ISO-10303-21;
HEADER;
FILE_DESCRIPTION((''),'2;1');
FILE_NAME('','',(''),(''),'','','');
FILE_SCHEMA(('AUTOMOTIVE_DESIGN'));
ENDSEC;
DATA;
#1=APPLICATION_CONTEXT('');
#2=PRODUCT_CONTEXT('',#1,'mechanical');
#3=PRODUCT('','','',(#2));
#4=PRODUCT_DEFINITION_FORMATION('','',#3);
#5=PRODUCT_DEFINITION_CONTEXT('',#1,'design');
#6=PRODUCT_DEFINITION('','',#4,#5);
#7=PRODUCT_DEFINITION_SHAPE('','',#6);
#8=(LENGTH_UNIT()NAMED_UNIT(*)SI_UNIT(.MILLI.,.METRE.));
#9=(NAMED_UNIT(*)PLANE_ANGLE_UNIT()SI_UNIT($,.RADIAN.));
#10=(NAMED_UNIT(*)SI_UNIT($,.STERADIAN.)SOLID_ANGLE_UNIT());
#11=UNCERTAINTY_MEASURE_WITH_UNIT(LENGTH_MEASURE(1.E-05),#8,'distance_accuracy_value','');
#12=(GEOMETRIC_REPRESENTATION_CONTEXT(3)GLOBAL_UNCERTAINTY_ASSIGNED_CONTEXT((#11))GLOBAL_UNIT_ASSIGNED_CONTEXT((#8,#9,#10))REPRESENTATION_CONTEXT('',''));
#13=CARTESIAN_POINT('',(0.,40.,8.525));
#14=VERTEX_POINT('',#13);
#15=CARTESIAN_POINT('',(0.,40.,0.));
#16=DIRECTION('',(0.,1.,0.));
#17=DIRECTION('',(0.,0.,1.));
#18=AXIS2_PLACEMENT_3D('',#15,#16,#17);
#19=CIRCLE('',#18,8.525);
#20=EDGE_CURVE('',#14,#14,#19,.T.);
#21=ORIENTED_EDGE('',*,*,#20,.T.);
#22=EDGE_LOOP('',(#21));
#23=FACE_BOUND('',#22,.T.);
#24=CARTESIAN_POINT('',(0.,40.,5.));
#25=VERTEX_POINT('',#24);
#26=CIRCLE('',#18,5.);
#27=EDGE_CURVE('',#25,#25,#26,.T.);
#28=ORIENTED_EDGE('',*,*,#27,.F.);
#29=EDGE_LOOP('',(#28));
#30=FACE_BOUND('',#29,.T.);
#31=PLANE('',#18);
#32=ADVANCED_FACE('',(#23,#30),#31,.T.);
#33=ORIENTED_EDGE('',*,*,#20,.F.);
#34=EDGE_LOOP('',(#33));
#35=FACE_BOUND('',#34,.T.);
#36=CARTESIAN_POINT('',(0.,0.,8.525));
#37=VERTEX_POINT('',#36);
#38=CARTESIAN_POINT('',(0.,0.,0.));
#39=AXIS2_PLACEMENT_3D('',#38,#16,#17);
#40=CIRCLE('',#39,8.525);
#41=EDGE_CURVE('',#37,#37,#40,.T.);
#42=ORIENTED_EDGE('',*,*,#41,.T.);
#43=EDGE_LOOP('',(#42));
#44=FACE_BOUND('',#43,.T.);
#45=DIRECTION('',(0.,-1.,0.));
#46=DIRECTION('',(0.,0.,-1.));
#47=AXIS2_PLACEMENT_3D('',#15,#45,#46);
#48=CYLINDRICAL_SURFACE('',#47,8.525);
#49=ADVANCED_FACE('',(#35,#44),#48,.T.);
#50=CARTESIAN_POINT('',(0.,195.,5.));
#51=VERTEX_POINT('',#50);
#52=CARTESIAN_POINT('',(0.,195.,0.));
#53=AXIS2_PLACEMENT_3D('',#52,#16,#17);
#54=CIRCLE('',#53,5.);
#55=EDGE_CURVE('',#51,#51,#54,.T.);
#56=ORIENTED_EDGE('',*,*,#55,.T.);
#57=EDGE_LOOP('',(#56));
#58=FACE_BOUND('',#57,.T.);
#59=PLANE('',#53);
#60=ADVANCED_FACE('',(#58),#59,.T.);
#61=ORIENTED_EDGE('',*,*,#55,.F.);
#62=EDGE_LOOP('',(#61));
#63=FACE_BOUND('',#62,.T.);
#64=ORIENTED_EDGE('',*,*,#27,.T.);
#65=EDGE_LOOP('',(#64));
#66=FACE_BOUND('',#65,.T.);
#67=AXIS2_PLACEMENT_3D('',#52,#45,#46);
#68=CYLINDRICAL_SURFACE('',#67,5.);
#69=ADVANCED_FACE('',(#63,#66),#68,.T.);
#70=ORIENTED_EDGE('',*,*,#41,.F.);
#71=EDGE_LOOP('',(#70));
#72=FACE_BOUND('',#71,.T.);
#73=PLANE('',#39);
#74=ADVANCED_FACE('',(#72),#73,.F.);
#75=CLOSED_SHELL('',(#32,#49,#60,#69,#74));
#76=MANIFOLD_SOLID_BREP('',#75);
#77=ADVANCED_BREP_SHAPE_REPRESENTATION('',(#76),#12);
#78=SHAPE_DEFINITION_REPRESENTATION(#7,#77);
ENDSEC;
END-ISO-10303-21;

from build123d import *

# Parameters (mm, degrees)
SKETCH1_R           = 8.525
BOSS_EXTRUDE1_DEPTH = 40
SKETCH2_R           = 5
BOSS_EXTRUDE2_DEPTH = 155


with BuildPart() as part:
    # Sketch1 → Boss-Extrude1 (new body)
    with BuildSketch(Plane(origin=(0, 0, 0), x_dir=(1, 0, 0), z_dir=(0, 1, 0))):
        Circle(SKETCH1_R)
    extrude(amount=BOSS_EXTRUDE1_DEPTH)

    # Sketch2 → Boss-Extrude2 (add)
    with BuildSketch(Plane(origin=(0, 40, 0), x_dir=(1, 0, 0), z_dir=(0, 1, 0))):
        Circle(SKETCH2_R)
    extrude(amount=BOSS_EXTRUDE2_DEPTH)


solid = part.part
